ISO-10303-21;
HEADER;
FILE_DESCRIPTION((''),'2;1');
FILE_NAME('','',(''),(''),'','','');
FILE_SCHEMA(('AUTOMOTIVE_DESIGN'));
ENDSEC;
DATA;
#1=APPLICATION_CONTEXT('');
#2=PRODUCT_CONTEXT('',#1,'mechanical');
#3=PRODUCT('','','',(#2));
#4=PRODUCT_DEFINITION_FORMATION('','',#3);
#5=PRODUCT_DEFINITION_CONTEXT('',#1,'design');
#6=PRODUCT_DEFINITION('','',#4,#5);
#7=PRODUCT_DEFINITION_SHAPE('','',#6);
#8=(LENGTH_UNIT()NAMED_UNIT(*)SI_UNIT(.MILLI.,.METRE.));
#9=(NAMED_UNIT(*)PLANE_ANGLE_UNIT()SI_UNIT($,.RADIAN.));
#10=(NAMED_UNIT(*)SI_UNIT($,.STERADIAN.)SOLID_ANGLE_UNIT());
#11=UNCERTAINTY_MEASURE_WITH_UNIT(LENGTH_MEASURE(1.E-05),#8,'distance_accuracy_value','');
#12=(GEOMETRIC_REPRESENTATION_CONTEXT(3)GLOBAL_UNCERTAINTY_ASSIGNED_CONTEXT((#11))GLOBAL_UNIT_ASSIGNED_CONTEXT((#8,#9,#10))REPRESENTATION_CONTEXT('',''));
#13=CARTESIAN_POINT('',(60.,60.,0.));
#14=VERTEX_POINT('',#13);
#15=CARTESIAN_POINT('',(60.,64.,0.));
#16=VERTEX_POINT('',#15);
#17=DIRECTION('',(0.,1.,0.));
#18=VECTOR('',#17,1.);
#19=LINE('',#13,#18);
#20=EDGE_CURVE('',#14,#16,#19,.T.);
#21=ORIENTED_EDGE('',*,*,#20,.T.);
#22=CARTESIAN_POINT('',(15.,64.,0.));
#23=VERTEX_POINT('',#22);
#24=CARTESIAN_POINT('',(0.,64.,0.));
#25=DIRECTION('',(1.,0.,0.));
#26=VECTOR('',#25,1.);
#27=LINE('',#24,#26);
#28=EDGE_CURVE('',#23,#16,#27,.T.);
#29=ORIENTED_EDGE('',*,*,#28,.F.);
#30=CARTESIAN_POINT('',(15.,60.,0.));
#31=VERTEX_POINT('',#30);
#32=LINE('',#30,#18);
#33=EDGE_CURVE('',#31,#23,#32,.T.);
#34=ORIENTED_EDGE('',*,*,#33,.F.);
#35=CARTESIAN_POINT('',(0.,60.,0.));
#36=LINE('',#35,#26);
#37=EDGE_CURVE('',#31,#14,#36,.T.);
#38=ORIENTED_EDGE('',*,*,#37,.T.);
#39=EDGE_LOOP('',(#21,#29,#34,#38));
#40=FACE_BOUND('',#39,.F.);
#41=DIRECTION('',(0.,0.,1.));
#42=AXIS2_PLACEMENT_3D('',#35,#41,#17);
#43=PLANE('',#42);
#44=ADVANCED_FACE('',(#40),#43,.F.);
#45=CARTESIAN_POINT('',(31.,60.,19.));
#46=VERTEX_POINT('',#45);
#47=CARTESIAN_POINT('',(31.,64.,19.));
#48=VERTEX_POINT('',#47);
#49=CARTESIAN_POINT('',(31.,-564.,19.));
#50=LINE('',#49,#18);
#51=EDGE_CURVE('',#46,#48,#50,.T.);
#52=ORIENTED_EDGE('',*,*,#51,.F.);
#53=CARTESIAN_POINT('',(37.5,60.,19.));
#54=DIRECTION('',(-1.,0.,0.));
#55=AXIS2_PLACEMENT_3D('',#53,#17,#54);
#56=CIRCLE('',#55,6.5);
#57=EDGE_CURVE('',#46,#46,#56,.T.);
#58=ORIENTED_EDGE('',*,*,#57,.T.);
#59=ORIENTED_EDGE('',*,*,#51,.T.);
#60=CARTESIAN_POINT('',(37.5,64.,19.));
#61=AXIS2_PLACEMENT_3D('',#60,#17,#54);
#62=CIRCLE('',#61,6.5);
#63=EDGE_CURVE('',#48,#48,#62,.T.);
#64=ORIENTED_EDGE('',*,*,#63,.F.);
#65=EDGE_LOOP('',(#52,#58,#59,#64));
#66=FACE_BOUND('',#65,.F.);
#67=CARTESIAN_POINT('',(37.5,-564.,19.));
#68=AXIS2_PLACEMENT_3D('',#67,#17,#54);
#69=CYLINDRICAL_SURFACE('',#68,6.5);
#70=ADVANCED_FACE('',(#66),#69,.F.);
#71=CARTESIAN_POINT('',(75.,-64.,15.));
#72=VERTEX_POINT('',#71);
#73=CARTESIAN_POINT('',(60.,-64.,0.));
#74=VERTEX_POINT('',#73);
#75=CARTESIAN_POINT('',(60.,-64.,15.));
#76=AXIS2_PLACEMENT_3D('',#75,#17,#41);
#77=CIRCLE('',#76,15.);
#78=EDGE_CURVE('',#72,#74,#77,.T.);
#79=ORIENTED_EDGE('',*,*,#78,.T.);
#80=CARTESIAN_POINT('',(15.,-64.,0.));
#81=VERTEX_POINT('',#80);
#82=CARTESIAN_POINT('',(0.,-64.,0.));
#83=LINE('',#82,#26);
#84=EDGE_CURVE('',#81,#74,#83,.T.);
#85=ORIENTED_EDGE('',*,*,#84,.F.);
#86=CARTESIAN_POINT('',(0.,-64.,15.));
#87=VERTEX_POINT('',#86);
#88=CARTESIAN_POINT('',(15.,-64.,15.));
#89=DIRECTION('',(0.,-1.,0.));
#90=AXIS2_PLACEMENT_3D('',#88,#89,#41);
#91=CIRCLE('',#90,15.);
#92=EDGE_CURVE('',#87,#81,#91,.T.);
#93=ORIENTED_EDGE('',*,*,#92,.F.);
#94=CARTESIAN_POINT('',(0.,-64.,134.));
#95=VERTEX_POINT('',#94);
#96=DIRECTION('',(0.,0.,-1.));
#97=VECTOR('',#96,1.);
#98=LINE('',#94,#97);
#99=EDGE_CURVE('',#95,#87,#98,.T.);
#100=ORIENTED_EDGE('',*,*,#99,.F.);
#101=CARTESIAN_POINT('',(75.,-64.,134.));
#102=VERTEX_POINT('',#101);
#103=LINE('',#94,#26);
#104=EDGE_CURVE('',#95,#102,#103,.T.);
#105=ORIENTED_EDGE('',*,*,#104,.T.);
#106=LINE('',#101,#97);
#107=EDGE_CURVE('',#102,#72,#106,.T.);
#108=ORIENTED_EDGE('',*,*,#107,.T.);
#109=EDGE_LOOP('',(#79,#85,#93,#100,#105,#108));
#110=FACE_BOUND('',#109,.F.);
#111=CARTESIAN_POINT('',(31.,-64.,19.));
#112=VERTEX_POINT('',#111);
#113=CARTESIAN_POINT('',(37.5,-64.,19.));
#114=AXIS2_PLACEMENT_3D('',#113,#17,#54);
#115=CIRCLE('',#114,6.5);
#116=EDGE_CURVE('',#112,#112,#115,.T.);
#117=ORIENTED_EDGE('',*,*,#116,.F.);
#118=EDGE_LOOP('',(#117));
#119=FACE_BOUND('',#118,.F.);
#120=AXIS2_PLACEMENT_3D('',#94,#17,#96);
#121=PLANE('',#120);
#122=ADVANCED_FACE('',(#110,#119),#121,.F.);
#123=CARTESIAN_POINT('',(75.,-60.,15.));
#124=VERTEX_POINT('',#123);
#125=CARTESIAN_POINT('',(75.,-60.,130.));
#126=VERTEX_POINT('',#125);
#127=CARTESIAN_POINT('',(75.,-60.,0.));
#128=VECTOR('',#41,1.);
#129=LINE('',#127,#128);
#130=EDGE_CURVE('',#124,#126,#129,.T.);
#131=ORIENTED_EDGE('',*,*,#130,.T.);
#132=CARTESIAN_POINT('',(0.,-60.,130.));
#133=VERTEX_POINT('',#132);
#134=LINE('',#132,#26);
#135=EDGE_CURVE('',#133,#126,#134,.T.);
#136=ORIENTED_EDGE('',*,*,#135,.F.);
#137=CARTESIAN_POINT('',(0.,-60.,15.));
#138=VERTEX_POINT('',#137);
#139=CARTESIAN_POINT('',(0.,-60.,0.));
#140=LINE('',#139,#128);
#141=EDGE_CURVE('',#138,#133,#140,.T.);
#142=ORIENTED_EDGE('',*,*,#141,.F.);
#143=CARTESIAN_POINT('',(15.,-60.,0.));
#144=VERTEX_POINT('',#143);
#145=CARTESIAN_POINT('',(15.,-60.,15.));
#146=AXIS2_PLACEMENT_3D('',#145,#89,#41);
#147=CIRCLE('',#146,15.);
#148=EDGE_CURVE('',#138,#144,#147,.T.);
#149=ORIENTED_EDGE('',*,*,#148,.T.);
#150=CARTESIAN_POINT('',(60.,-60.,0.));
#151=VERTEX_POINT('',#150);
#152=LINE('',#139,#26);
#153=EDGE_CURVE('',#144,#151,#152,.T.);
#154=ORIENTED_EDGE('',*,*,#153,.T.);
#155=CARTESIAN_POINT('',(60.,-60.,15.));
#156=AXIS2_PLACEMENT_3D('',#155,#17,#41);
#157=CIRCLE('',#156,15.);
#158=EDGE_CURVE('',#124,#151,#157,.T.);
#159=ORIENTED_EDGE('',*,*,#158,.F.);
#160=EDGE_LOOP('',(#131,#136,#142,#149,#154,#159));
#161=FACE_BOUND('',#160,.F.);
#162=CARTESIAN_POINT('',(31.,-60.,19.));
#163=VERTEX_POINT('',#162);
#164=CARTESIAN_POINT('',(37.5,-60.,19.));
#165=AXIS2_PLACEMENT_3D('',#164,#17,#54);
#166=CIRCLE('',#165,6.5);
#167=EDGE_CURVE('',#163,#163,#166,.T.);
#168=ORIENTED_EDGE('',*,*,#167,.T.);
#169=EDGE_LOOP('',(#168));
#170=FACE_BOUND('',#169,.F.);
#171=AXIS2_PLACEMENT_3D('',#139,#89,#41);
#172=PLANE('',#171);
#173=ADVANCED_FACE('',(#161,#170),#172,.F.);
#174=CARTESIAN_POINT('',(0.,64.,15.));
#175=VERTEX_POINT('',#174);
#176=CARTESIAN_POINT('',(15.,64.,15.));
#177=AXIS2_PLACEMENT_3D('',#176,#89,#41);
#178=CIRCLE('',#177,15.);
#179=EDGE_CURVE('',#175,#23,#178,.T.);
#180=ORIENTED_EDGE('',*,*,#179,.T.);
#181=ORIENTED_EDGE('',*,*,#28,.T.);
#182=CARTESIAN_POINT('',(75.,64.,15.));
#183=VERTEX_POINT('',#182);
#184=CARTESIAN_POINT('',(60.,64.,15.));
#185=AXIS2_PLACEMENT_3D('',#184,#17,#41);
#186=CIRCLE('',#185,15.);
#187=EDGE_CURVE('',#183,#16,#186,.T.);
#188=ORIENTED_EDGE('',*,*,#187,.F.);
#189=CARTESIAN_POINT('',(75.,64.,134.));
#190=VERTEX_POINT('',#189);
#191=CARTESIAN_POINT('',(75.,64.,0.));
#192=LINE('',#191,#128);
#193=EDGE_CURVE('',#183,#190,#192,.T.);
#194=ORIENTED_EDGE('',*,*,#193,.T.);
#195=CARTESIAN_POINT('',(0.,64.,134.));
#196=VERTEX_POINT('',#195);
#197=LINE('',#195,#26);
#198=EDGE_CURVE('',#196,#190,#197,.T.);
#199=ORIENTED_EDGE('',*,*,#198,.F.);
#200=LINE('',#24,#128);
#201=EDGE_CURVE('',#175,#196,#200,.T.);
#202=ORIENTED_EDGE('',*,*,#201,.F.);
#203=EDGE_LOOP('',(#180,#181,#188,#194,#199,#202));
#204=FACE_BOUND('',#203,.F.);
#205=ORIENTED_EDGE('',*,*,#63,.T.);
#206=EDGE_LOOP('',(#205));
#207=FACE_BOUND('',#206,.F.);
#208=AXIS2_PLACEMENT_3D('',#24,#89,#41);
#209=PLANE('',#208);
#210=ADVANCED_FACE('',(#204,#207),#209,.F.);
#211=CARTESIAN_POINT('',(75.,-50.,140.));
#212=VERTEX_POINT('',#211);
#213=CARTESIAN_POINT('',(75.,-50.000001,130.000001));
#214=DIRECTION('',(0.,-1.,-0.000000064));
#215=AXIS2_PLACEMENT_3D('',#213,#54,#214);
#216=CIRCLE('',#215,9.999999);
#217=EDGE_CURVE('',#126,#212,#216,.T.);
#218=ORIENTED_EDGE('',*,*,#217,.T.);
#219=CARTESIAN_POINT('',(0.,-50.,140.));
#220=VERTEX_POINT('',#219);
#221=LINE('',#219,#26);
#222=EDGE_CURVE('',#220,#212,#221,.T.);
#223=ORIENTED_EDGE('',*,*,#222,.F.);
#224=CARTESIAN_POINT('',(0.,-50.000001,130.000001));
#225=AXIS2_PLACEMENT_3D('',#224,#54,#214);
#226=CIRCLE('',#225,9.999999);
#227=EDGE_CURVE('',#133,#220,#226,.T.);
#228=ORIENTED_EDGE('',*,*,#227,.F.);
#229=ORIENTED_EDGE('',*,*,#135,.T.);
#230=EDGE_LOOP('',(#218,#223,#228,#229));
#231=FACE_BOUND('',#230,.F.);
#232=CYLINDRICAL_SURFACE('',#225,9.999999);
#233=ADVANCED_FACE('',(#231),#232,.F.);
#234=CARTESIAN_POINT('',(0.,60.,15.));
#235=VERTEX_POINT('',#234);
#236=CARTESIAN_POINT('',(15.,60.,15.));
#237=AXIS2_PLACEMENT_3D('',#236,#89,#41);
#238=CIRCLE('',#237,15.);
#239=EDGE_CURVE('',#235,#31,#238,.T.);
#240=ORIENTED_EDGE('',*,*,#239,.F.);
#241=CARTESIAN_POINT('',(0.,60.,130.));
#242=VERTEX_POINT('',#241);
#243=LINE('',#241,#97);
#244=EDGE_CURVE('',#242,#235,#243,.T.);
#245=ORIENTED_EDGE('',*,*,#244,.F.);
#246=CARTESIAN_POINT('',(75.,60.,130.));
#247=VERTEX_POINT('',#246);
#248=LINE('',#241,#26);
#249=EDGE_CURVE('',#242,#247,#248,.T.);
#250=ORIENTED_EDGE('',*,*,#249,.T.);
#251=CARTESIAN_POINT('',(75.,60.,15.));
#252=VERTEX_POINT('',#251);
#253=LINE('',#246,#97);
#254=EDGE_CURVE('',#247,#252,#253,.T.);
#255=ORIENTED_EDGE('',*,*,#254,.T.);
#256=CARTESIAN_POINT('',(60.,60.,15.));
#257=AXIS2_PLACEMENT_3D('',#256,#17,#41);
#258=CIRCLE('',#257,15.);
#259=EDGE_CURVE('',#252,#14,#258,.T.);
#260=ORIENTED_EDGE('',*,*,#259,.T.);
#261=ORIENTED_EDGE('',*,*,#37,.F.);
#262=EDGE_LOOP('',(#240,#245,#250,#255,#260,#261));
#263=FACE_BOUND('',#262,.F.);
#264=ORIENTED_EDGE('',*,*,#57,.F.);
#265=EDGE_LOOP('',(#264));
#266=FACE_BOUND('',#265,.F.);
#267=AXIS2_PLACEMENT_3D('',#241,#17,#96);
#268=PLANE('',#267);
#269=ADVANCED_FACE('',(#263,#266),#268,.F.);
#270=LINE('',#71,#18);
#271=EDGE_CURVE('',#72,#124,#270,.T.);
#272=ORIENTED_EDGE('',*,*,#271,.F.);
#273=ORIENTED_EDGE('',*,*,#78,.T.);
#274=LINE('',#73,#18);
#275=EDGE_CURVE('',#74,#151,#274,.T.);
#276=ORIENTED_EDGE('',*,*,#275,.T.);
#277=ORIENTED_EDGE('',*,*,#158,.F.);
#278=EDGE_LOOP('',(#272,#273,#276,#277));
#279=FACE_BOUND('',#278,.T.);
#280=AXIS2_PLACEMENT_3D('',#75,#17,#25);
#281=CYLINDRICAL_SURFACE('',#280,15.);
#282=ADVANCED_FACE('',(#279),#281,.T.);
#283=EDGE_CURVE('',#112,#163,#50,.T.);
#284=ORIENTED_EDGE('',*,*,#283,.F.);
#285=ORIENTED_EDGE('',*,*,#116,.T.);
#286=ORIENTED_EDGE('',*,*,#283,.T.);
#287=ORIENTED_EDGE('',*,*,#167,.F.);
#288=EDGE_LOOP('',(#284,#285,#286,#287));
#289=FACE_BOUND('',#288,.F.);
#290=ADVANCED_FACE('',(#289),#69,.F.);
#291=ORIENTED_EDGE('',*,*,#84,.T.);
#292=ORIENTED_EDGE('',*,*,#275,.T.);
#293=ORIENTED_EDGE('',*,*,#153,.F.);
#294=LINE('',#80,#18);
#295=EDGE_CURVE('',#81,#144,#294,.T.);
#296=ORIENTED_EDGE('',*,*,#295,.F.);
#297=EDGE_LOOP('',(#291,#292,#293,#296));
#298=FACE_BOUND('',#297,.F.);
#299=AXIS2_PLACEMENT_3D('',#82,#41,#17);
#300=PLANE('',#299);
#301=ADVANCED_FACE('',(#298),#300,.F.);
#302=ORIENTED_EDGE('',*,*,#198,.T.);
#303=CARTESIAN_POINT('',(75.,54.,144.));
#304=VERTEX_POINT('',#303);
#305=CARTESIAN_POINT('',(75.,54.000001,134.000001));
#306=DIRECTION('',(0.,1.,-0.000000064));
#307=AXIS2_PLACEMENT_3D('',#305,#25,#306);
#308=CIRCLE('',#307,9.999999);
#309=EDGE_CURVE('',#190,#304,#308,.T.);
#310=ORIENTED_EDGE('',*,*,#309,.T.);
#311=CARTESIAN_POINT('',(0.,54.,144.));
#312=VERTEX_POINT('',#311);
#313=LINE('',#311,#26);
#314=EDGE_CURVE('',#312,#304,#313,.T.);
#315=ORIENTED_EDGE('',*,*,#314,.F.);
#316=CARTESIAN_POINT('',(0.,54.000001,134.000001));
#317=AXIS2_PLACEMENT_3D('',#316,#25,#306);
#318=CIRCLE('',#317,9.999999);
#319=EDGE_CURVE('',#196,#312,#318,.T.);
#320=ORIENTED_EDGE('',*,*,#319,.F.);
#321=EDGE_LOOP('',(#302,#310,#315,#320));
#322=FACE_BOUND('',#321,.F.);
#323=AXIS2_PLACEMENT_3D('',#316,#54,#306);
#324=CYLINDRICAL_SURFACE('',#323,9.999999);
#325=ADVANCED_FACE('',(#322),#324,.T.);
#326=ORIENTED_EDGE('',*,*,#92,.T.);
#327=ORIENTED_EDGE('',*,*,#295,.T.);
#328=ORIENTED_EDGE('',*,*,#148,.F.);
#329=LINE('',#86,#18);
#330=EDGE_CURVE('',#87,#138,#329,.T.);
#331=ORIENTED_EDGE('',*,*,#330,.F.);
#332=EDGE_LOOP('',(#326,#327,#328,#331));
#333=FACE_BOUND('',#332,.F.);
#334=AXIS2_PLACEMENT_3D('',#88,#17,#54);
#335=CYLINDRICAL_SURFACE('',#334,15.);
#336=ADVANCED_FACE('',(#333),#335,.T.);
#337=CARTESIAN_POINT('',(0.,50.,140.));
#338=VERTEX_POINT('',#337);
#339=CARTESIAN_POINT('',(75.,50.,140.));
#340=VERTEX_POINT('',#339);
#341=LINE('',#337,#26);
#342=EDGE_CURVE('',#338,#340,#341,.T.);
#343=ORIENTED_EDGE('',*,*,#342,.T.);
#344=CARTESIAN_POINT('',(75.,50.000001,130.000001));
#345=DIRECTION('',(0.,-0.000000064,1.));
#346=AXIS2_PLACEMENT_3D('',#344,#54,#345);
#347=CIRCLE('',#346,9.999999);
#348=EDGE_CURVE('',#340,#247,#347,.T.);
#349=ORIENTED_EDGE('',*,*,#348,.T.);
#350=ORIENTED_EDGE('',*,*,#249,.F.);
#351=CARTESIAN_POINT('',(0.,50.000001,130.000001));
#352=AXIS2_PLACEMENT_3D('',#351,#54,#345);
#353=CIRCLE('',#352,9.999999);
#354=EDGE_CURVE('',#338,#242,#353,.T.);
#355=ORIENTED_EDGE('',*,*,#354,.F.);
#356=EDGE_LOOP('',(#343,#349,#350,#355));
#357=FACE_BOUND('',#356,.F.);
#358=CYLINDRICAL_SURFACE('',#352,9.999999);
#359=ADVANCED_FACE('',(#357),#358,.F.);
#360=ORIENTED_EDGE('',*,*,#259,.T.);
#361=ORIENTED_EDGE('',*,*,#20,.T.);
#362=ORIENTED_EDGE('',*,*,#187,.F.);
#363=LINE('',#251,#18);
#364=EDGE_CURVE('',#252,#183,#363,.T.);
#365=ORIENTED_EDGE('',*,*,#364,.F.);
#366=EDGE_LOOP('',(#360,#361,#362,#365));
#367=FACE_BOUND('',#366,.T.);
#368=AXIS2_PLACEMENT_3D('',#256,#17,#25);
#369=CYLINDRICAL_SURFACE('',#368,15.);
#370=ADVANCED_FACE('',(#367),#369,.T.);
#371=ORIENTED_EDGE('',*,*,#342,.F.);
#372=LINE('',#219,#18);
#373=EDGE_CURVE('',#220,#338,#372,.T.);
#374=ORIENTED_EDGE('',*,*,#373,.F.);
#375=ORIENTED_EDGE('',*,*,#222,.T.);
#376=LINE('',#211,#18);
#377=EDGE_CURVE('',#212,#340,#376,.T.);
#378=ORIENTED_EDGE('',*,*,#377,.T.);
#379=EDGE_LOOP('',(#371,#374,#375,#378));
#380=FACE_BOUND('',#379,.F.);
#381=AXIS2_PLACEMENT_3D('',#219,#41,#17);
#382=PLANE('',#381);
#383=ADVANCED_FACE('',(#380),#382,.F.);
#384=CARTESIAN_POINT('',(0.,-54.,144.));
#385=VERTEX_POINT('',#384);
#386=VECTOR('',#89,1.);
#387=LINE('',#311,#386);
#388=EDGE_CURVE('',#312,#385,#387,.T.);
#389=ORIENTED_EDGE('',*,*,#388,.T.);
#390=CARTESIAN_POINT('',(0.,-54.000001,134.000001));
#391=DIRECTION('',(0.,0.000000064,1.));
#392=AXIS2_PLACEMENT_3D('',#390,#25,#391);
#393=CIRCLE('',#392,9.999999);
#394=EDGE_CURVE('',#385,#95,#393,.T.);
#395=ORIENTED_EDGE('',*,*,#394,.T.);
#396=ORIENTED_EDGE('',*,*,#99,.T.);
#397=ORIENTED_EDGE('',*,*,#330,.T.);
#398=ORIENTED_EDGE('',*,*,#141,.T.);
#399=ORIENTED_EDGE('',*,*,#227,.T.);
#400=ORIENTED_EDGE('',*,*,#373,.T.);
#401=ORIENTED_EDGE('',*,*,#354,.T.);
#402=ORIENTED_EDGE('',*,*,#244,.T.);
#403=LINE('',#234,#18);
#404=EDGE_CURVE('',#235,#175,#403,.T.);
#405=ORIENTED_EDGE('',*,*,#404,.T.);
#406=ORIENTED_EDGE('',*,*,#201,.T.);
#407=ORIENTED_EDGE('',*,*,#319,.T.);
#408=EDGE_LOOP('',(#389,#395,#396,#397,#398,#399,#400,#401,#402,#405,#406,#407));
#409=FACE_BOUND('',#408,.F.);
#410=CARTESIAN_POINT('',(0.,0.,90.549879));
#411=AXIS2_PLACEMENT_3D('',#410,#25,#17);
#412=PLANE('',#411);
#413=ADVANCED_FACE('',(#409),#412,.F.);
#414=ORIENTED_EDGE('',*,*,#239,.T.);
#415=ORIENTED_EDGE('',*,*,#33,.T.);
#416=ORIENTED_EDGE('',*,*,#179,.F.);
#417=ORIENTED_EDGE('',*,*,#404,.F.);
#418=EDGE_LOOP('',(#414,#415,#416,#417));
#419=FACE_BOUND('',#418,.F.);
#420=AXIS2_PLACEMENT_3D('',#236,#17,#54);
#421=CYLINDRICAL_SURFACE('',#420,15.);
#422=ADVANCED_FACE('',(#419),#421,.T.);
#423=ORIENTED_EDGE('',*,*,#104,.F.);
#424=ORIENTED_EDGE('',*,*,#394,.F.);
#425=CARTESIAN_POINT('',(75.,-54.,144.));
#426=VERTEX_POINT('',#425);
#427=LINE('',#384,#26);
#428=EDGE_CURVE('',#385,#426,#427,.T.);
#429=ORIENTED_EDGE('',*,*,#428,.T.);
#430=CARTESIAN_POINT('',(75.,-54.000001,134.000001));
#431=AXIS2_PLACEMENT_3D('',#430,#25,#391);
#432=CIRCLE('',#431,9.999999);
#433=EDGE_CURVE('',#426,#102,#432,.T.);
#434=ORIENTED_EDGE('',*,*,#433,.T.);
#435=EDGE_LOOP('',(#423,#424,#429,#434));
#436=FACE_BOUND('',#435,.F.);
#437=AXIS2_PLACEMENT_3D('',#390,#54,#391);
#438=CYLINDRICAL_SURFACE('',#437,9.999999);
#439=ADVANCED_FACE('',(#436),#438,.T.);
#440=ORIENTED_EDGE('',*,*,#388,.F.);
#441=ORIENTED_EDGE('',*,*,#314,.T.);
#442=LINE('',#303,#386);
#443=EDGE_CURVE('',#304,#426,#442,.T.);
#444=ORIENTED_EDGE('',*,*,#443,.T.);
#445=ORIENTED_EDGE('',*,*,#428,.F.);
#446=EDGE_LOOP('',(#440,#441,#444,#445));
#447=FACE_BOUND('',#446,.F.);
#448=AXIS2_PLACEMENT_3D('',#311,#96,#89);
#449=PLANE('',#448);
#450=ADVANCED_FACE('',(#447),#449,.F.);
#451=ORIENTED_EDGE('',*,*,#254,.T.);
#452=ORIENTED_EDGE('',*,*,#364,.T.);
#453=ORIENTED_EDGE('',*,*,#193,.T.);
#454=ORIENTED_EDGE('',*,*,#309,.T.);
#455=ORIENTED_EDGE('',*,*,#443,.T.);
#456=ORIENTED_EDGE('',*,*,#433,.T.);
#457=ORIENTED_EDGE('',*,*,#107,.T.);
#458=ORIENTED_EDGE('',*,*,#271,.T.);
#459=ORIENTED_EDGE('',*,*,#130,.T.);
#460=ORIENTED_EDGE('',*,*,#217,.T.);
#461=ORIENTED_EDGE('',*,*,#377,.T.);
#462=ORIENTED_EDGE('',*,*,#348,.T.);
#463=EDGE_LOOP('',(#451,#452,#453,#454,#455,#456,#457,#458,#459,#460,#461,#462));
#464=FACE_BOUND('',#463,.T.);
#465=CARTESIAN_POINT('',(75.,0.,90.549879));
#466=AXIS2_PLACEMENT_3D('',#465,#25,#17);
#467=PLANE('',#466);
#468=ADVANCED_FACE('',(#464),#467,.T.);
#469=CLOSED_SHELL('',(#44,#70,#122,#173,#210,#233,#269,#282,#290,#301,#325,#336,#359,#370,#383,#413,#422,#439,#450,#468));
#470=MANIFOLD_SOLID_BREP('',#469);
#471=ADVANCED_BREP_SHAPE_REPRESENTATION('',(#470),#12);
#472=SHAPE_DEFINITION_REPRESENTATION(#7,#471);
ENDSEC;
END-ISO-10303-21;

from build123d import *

# Parameters (mm, degrees)
F1_DEPTH = 75
F3_D     = 13
F3_DEPTH = 500
F4_R     = 15


with BuildPart() as f1:
    # F0 (on Right) → F1 (new body)
    with BuildSketch(Plane.YZ):
        with BuildLine():
            Line((-64, 134), (-64, 0))
            Line((-64, 0), (-60, 0))
            Line((-60, 0), (-60, 130))
            ThreePointArc((-60, 130), (-57.071068, 137.071068), (-50, 140))
            Line((-50, 140), (50, 140))
            ThreePointArc((50, 140), (57.071068, 137.071068), (60, 130))
            Line((60, 130), (60, 0))
            Line((60, 0), (64, 0))
            Line((64, 0), (64, 134))
            ThreePointArc((64, 134), (61.071068, 141.071068), (54, 144))
            Line((54, 144), (-54, 144))
            ThreePointArc((-54, 144), (-61.071068, 141.071068), (-64, 134))
        make_face()
    extrude(amount=F1_DEPTH)

    # F3
    with Locations(Plane.XZ.offset(64)):
        with Locations((37.5, 19)):
            Hole(F3_D / 2, depth=F3_DEPTH)

    # F4
    f4_edges = [f1.edges().sort_by_distance(p)[0] for p in [
        (0, -62, 0),
        (75, -62, 0),
        (75, 62, 0),
        (0, 62, 0),
    ]]
    fillet(f4_edges, radius=F4_R)


solid = f1.part
